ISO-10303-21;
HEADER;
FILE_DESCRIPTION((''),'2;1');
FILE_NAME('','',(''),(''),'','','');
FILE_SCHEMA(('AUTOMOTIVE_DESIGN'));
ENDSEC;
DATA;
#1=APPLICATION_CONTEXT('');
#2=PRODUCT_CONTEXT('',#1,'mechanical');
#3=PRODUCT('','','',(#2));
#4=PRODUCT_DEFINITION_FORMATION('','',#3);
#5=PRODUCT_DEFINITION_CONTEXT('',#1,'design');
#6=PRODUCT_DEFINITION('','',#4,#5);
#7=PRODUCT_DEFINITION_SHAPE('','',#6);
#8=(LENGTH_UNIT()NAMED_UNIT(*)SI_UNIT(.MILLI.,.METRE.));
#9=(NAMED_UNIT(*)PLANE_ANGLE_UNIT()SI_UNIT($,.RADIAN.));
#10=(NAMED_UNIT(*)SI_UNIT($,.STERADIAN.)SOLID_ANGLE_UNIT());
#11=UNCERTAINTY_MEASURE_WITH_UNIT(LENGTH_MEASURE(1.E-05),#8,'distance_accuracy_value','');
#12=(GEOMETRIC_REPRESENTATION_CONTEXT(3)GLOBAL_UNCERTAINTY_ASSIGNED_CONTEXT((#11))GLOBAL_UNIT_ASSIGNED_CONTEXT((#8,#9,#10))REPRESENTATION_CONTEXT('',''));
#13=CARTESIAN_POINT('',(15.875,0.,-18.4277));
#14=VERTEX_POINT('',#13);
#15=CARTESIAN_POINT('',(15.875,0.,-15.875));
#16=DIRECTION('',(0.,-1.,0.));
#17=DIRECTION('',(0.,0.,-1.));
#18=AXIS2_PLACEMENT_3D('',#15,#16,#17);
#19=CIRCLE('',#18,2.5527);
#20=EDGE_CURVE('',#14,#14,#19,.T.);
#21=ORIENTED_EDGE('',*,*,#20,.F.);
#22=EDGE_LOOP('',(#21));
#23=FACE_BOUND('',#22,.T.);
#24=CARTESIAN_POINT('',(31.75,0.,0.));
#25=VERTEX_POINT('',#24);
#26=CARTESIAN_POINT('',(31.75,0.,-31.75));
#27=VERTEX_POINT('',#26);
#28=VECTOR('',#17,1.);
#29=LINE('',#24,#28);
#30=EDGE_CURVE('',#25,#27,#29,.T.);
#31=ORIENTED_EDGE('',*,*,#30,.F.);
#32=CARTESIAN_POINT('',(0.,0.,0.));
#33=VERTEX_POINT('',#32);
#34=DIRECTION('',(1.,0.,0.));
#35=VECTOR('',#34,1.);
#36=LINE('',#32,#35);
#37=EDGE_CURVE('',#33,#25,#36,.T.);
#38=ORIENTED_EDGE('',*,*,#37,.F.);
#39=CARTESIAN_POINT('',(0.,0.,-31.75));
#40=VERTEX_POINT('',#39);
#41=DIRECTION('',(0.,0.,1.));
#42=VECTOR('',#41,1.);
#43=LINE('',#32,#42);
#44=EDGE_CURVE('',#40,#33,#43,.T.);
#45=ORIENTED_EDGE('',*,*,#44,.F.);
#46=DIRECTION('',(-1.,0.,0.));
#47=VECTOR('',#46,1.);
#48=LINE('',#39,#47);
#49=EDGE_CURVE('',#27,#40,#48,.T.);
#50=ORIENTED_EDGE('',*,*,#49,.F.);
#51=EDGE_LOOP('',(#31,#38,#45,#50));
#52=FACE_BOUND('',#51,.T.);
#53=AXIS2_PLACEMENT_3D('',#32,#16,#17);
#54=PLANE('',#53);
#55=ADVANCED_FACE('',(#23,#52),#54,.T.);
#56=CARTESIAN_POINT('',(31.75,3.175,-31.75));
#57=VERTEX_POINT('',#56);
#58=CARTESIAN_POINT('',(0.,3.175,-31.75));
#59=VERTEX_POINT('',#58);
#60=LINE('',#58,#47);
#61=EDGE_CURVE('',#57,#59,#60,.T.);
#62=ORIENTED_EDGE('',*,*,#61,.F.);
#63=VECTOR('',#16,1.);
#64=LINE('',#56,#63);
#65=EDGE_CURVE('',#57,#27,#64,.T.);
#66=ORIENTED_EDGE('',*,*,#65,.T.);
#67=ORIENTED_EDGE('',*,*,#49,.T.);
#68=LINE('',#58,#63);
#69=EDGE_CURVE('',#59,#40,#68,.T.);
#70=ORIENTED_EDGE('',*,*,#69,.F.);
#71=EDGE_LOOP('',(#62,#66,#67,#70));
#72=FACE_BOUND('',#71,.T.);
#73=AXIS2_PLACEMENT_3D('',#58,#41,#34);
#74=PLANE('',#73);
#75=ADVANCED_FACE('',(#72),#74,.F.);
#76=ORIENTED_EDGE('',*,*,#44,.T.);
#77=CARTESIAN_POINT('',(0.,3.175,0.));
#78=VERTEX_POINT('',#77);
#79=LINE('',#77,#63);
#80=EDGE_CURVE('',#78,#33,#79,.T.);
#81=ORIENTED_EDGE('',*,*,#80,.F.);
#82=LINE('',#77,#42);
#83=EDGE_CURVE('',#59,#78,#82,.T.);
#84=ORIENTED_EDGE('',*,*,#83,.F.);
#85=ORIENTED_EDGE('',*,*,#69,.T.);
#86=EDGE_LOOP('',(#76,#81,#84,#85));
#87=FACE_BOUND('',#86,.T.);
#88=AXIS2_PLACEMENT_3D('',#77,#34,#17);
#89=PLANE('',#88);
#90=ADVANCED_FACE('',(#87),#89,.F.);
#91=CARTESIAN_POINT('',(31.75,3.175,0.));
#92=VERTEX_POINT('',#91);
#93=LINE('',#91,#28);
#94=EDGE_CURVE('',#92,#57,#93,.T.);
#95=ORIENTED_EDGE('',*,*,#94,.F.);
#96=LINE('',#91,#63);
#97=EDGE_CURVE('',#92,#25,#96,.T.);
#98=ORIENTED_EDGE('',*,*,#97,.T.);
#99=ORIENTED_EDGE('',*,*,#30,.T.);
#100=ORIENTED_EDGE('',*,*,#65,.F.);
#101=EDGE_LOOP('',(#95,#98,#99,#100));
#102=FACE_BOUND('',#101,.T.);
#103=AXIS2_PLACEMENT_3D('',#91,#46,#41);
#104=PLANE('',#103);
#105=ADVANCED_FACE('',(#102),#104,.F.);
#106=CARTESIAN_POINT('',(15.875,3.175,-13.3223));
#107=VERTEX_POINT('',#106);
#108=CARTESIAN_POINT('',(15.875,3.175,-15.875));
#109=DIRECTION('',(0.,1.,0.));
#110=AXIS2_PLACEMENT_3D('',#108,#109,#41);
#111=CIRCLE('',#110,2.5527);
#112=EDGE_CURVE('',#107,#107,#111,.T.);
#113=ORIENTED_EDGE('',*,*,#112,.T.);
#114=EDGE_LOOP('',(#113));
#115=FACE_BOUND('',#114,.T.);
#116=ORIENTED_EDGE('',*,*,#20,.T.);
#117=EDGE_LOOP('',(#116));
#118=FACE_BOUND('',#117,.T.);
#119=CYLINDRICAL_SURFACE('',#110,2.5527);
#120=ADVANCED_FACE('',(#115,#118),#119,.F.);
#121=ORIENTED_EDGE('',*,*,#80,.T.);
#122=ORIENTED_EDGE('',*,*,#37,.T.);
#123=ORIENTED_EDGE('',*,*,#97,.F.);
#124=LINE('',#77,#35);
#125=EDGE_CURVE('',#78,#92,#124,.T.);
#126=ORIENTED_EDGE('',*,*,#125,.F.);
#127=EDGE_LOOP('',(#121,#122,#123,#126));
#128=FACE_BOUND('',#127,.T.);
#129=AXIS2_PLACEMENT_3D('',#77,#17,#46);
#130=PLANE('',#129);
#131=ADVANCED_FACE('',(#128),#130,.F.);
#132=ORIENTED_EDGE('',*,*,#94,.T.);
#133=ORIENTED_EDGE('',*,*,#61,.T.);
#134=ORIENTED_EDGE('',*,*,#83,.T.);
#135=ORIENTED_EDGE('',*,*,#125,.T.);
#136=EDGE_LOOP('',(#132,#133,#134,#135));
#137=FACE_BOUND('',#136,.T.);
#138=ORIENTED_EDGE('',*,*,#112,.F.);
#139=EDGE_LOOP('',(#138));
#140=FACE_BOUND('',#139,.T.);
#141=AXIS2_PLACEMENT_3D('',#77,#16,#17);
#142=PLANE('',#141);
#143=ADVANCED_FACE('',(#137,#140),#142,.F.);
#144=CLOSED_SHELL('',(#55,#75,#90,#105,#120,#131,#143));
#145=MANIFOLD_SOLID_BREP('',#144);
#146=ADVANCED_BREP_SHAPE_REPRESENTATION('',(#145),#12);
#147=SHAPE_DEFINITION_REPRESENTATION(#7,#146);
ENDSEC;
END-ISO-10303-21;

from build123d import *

# Parameters (mm, degrees)
SKETCH1_W                   = 31.75
SKETCH1_H                   = 31.75
BOSS_EXTRUDE1_DEPTH         = 3.175
F_1_4_20_TAPPED_HOLE1_D     = 5.1054
F_1_4_20_TAPPED_HOLE1_DEPTH = 16.51
F_1_4_20_TAPPED_HOLE1_TIP   = 1.533816902


with BuildPart() as part:
    # Sketch1 → Boss-Extrude1 (new body)
    with BuildSketch(Plane(origin=(0, 0, 0), x_dir=(1, 0, 0), z_dir=(0, 1, 0))):
        with Locations((15.875, 15.875)):
            Rectangle(SKETCH1_W, SKETCH1_H)
    extrude(amount=BOSS_EXTRUDE1_DEPTH)

    # 1/4-20 Tapped Hole1
    with Locations(Plane(origin=(0, 3.175, 0), x_dir=(1, 0, 0), z_dir=(0, 1, 0))):
        with Locations((15.875, 15.875)):
            Hole(F_1_4_20_TAPPED_HOLE1_D / 2, depth=F_1_4_20_TAPPED_HOLE1_DEPTH)
            with Locations((0, 0, -(F_1_4_20_TAPPED_HOLE1_DEPTH + F_1_4_20_TAPPED_HOLE1_TIP / 2))):  # 118° drill point
                Cone(0, F_1_4_20_TAPPED_HOLE1_D / 2, F_1_4_20_TAPPED_HOLE1_TIP, mode=Mode.SUBTRACT)


solid = part.part
